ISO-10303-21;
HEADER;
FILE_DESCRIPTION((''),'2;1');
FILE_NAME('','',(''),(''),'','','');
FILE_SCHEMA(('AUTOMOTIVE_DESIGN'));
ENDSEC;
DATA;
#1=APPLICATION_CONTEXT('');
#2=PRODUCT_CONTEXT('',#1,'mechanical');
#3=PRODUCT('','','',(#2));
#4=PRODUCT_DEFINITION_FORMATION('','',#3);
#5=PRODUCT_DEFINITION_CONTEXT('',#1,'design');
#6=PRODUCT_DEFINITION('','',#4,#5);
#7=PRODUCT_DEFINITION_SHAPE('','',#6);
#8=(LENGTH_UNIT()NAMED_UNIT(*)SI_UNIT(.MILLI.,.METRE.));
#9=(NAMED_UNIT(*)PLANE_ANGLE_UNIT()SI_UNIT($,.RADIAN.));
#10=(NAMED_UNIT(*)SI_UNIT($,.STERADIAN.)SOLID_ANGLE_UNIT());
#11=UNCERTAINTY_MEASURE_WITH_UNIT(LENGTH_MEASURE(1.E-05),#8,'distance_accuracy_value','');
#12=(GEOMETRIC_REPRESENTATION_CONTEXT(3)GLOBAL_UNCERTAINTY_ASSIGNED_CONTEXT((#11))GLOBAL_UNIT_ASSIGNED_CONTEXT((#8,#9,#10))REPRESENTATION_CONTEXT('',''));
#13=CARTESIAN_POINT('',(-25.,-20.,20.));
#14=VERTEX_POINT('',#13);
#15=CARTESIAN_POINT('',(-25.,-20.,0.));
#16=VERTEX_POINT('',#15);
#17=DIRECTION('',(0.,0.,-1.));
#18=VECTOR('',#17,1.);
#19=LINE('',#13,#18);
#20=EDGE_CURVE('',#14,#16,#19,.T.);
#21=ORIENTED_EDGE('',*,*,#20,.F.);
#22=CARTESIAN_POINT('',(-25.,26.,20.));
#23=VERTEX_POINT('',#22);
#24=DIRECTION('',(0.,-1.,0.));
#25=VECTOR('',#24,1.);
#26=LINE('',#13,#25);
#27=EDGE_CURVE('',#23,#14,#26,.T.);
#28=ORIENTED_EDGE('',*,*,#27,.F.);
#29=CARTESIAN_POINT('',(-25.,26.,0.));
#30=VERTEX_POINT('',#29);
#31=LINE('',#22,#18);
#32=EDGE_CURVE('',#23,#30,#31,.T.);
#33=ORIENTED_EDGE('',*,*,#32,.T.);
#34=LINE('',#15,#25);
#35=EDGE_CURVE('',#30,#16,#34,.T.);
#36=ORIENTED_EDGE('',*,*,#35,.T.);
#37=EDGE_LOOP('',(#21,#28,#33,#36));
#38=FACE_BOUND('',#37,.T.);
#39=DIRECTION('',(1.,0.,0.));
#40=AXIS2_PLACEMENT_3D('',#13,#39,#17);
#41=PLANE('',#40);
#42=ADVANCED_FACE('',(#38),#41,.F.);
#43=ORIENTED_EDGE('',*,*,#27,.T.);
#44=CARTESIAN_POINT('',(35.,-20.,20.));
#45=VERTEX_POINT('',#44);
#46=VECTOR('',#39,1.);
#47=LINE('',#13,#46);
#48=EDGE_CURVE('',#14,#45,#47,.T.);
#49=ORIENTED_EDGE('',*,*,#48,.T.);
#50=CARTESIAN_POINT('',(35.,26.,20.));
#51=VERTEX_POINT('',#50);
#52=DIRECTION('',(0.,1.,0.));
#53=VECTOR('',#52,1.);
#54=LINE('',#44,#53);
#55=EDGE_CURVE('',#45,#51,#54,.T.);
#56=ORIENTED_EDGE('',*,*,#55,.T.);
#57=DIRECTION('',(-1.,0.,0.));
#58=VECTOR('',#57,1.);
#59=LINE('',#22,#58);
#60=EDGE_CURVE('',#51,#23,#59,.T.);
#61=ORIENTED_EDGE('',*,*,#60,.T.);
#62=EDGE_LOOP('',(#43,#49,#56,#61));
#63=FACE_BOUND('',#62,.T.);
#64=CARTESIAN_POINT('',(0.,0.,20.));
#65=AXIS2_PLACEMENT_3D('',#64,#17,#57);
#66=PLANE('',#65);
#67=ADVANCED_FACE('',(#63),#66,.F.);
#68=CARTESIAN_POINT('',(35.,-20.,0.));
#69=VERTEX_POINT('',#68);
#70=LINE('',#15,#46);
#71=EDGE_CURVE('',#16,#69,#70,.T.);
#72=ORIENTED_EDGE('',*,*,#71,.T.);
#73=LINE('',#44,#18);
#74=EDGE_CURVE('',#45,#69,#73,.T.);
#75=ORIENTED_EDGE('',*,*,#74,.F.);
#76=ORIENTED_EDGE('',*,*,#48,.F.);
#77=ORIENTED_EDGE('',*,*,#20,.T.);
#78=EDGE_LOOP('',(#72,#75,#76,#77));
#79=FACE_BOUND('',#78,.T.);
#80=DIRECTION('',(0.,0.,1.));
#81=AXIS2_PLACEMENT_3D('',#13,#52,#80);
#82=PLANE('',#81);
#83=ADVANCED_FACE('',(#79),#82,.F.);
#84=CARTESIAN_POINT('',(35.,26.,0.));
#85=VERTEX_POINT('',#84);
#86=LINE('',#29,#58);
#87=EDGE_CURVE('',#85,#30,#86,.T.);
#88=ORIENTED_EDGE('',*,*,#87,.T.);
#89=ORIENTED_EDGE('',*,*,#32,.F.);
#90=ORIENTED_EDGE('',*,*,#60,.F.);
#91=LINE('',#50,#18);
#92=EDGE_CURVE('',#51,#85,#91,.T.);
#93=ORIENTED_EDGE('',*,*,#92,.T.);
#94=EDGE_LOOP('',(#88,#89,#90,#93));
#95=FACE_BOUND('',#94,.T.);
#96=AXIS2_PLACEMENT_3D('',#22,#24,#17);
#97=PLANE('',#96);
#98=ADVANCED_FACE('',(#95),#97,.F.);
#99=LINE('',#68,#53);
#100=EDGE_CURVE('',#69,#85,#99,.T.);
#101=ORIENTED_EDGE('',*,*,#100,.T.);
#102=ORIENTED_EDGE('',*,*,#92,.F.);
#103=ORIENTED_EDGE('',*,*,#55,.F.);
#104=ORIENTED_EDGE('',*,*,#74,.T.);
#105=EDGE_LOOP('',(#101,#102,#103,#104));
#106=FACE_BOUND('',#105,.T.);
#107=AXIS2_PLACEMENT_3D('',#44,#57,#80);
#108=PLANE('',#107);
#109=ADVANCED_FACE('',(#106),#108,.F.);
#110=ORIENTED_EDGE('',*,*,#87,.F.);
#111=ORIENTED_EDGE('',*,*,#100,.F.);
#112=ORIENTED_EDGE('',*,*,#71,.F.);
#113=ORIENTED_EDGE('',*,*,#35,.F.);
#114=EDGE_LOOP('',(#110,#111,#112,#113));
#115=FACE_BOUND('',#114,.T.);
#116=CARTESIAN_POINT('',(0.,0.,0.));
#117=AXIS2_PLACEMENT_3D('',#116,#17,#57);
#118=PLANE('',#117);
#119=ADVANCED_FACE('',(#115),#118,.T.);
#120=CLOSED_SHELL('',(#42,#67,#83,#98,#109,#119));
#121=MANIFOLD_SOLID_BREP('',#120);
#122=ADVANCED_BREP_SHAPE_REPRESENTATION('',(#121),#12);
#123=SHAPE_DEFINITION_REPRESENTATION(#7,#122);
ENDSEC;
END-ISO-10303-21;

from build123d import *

# Parameters (mm, degrees)
SKETCH_1_W      = 60
SKETCH_1_H      = 46
EXTRUDE_1_DEPTH = 20


with BuildPart() as part:
    # 草图1 → 凸台-拉伸1 (new body)
    with BuildSketch(Plane.XY):
        with Locations((5, 3)):
            Rectangle(SKETCH_1_W, SKETCH_1_H)
    extrude(amount=EXTRUDE_1_DEPTH)


solid = part.part
